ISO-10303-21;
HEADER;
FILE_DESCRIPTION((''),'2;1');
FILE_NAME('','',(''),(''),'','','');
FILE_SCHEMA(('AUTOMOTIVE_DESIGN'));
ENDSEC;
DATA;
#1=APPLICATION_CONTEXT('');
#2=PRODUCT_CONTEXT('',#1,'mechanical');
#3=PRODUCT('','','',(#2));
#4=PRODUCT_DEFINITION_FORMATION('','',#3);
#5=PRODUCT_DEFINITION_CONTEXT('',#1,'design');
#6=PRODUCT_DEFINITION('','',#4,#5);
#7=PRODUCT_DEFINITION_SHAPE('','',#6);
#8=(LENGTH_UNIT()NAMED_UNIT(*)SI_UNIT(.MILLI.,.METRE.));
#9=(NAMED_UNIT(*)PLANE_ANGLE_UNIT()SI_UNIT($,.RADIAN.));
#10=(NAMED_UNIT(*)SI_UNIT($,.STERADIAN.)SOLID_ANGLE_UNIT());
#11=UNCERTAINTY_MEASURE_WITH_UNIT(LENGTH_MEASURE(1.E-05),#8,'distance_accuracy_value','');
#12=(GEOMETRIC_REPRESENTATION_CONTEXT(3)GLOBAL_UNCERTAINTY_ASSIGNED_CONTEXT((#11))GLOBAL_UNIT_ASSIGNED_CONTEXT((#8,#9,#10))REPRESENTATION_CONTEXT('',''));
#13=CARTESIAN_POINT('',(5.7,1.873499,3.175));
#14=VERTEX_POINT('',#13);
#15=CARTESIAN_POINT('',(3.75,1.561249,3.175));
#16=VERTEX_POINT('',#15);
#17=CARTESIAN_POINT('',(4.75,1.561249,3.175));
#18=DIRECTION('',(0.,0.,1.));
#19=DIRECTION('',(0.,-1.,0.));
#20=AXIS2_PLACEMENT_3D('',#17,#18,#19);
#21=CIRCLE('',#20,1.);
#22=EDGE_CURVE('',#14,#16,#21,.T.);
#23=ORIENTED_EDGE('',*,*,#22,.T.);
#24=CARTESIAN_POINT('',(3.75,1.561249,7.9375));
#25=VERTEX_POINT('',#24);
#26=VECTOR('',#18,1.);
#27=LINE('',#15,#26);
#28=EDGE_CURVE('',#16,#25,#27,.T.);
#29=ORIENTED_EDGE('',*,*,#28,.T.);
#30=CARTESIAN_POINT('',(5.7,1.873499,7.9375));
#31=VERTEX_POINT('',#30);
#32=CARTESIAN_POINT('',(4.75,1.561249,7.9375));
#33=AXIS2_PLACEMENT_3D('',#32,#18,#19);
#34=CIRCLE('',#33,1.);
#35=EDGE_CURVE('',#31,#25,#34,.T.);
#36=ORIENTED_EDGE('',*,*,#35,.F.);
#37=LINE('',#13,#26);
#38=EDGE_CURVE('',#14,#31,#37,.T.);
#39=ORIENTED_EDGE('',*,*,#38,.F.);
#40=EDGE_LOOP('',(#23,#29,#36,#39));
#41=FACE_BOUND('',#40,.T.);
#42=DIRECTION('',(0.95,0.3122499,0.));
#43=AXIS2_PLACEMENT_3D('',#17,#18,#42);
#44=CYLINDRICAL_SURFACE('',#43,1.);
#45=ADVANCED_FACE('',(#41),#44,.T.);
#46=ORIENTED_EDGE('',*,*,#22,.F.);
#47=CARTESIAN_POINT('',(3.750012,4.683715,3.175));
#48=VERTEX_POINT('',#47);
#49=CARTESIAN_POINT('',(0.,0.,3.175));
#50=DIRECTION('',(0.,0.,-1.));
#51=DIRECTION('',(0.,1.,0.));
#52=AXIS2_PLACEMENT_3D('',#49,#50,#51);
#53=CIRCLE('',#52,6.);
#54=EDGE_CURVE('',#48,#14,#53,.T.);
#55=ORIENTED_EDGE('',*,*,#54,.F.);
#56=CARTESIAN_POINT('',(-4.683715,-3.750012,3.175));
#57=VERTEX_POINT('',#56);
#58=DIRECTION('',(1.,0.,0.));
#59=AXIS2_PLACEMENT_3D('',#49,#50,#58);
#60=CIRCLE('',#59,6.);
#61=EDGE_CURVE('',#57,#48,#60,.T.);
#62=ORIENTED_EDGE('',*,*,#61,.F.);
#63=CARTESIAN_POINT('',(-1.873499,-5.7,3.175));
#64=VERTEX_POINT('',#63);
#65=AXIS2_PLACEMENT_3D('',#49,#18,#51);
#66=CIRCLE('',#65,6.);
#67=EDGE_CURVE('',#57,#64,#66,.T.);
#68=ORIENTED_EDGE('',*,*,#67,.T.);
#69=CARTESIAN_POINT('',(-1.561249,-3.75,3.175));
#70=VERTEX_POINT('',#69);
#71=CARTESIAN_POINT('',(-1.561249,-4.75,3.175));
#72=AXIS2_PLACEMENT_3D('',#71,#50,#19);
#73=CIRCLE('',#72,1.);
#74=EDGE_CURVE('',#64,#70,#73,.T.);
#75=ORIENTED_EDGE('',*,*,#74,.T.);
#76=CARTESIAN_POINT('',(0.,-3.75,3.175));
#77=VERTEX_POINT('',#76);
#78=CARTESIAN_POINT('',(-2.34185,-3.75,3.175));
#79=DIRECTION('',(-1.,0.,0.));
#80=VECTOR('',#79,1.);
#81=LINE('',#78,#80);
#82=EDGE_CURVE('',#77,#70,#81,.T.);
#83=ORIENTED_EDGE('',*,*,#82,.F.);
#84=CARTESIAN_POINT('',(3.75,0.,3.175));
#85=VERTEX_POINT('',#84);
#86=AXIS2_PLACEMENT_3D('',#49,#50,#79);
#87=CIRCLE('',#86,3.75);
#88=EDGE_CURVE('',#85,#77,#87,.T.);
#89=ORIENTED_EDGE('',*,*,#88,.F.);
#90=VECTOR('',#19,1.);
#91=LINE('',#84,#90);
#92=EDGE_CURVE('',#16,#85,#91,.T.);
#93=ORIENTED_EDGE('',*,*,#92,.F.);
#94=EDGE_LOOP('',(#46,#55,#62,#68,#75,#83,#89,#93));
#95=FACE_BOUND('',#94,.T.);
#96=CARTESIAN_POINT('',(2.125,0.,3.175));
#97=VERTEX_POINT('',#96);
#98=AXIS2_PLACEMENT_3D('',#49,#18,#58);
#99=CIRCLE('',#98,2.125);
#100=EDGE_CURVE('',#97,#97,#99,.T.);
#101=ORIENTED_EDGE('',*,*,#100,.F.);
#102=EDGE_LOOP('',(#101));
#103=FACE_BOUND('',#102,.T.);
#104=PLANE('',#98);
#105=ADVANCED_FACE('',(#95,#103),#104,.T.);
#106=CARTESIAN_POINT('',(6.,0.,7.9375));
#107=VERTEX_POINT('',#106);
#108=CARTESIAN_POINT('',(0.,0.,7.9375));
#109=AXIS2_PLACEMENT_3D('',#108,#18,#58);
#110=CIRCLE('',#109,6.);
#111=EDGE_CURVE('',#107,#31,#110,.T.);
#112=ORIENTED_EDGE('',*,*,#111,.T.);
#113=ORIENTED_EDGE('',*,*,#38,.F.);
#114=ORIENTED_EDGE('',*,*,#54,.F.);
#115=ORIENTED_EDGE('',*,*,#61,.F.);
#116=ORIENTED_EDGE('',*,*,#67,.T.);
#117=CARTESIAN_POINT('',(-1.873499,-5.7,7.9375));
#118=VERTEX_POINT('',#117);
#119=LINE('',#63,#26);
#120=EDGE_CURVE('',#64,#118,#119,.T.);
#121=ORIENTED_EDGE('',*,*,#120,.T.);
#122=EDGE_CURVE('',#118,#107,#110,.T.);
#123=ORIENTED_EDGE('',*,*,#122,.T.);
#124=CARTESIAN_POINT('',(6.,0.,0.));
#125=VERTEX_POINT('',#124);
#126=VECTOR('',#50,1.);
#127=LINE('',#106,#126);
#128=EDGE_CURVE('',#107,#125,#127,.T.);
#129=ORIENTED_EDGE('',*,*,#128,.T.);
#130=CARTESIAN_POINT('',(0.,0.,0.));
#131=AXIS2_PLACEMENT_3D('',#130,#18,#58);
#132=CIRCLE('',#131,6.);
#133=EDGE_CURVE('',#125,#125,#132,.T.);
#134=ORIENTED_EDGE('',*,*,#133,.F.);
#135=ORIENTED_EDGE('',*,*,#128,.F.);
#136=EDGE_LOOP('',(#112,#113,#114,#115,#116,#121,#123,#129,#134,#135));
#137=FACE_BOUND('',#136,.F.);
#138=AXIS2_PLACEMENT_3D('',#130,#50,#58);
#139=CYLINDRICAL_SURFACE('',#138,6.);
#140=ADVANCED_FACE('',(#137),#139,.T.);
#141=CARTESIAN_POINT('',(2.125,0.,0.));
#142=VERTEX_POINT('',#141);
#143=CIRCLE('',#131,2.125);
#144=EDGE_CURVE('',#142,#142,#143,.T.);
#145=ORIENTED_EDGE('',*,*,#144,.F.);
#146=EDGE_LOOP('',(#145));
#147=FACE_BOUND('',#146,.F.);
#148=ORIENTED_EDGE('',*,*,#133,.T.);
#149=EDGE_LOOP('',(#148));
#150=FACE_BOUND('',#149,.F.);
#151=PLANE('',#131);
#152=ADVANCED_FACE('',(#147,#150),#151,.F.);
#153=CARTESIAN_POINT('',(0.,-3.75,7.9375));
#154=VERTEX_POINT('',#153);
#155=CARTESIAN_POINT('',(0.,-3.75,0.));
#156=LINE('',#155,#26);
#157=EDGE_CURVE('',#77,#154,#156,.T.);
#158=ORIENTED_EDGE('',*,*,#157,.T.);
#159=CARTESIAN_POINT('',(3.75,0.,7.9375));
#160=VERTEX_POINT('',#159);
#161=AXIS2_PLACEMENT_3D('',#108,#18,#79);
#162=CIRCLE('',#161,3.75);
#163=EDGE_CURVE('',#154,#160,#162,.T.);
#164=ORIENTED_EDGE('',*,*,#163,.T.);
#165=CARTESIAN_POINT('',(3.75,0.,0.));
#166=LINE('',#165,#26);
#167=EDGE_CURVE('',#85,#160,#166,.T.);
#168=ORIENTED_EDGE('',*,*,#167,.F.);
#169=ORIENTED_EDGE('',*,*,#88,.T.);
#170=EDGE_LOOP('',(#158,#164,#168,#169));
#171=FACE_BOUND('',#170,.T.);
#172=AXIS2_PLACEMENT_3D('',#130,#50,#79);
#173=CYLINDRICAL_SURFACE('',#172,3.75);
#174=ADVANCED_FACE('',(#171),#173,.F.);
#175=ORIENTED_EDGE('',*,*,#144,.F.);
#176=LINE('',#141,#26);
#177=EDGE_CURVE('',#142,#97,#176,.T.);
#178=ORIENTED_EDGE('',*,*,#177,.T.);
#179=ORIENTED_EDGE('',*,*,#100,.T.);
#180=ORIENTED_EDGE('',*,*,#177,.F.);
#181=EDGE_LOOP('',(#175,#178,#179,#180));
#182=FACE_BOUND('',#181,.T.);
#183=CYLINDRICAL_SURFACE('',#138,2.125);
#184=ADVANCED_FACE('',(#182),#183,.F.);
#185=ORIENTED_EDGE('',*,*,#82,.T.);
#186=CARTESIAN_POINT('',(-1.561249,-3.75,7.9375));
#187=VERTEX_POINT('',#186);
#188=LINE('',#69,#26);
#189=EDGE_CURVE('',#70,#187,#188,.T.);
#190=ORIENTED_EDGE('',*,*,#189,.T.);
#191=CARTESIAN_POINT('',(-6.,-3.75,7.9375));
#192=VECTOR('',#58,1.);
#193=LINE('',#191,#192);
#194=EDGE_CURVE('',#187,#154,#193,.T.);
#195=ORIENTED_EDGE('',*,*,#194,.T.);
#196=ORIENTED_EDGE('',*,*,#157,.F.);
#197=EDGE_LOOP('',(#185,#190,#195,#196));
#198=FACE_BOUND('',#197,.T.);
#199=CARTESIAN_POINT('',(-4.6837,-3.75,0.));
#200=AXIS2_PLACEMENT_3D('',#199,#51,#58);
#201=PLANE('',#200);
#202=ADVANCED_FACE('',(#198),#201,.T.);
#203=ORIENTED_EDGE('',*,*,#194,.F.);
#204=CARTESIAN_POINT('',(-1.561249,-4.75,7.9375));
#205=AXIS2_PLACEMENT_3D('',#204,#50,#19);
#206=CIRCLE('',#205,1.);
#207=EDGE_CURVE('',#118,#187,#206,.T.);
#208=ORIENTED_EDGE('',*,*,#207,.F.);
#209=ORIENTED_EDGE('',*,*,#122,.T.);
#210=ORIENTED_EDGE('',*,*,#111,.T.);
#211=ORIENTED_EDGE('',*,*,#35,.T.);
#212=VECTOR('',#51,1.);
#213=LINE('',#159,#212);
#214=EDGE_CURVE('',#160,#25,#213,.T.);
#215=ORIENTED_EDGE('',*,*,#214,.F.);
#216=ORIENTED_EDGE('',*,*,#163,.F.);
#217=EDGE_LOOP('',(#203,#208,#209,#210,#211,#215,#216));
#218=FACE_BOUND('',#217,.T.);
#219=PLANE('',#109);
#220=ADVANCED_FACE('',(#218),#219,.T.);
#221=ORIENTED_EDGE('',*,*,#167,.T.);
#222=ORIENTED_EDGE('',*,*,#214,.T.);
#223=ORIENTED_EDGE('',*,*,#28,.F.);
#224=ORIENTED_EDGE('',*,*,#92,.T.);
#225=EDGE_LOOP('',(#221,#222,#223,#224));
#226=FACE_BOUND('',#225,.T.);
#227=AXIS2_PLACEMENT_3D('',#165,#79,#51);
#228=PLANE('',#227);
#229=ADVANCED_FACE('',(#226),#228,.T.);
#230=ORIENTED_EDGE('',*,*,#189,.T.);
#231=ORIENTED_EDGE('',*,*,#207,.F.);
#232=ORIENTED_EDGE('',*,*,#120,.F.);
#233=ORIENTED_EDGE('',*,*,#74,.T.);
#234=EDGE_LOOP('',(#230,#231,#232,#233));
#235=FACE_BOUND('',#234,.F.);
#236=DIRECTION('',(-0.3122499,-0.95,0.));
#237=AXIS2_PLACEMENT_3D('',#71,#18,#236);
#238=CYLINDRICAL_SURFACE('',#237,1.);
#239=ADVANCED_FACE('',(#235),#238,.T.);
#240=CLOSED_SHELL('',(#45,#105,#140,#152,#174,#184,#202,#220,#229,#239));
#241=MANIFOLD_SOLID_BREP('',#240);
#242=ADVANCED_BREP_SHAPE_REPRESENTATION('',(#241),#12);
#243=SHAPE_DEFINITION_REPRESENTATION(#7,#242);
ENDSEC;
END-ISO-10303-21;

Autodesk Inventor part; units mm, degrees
ref_plane "YZ Plane" through (0, 0, 0) normal (1, 0, 0) x (0, 1, 0)
ref_plane "XZ Plane" through (0, 0, 0) normal (0, 1, 0) x (-1, 0, 0)
ref_plane "XY Plane" through (0, 0, 0) normal (0, 0, 1) x (1, 0, 0)
sketch "Sketch1" plane through (0, 0, 0) normal (0, 0, 1) x (1, 0, 0)
  circle A0 centre (0, 0) radius 2.125
  circle A1 centre (0, 0) radius 6
  line L0 (0, 0) -> (0, 6) construction
  line L1 (3.75, 0) -> (3.75, 6)
  line L2 (-3.75, 6) -> (-3.75, 0)
  arc A2 (-3.75, 0) -> (3.75, 0) centre (0, 0) ccw
  arc A3 (3.75, 6) -> (-3.75, 6) centre (0, 6) ccw construction
  line L3 (0, 0) -> (-6, 0) construction
  line L4 (0, 3.75) -> (-6, 3.75)
  line L5 (-6, -3.75) -> (0, -3.75)
  arc A4 (0, -3.75) -> (0, 3.75) centre (0, 0) ccw
  arc A5 (-6, 3.75) -> (-6, -3.75) centre (-6, 0) ccw construction
  circle A6 centre (0, 12.35) radius 6.35 construction
  circle A7 centre (0, 10.1) radius 6.35 construction
  arc A8 (3.75, 4.6837) -> (-4.6837, -3.75) centre (2.5103, -2.5103) ccw
  point P0 (0, 3)
  point P1 (-3, 0)
  point P2 (0, -3.75)
  point P3 (-4.6837, -3.75)
  point P4 (-3.75, 4.6837)
  point P5 (-3.75, 3.75)
  point P6 (-4.6837, 3.75)
  dimension "d0" = 4.25
  dimension "d3" = 12
  dimension "d4" = 7.5
  dimension "d5" = 7.5
  dimension "d6" = 90
  dimension "d7" = 12.7
  dimension "d8" = 12.7
extrude "Extrusion1" add sketch "Sketch1" along normal blind 3.175
extrude "Extrusion2" add sketch "Sketch1" along normal blind 7.9375 contours A1 L5 A2 L1
fillet "Fillet1" radius 1 2 edges at (3.75, 4.6837, 5.5563) (-4.6837, -3.75, 5.5563)
equation "\"d4\" = d5"
properties part number "Cam - Shell" material "Nylon 6/6"
